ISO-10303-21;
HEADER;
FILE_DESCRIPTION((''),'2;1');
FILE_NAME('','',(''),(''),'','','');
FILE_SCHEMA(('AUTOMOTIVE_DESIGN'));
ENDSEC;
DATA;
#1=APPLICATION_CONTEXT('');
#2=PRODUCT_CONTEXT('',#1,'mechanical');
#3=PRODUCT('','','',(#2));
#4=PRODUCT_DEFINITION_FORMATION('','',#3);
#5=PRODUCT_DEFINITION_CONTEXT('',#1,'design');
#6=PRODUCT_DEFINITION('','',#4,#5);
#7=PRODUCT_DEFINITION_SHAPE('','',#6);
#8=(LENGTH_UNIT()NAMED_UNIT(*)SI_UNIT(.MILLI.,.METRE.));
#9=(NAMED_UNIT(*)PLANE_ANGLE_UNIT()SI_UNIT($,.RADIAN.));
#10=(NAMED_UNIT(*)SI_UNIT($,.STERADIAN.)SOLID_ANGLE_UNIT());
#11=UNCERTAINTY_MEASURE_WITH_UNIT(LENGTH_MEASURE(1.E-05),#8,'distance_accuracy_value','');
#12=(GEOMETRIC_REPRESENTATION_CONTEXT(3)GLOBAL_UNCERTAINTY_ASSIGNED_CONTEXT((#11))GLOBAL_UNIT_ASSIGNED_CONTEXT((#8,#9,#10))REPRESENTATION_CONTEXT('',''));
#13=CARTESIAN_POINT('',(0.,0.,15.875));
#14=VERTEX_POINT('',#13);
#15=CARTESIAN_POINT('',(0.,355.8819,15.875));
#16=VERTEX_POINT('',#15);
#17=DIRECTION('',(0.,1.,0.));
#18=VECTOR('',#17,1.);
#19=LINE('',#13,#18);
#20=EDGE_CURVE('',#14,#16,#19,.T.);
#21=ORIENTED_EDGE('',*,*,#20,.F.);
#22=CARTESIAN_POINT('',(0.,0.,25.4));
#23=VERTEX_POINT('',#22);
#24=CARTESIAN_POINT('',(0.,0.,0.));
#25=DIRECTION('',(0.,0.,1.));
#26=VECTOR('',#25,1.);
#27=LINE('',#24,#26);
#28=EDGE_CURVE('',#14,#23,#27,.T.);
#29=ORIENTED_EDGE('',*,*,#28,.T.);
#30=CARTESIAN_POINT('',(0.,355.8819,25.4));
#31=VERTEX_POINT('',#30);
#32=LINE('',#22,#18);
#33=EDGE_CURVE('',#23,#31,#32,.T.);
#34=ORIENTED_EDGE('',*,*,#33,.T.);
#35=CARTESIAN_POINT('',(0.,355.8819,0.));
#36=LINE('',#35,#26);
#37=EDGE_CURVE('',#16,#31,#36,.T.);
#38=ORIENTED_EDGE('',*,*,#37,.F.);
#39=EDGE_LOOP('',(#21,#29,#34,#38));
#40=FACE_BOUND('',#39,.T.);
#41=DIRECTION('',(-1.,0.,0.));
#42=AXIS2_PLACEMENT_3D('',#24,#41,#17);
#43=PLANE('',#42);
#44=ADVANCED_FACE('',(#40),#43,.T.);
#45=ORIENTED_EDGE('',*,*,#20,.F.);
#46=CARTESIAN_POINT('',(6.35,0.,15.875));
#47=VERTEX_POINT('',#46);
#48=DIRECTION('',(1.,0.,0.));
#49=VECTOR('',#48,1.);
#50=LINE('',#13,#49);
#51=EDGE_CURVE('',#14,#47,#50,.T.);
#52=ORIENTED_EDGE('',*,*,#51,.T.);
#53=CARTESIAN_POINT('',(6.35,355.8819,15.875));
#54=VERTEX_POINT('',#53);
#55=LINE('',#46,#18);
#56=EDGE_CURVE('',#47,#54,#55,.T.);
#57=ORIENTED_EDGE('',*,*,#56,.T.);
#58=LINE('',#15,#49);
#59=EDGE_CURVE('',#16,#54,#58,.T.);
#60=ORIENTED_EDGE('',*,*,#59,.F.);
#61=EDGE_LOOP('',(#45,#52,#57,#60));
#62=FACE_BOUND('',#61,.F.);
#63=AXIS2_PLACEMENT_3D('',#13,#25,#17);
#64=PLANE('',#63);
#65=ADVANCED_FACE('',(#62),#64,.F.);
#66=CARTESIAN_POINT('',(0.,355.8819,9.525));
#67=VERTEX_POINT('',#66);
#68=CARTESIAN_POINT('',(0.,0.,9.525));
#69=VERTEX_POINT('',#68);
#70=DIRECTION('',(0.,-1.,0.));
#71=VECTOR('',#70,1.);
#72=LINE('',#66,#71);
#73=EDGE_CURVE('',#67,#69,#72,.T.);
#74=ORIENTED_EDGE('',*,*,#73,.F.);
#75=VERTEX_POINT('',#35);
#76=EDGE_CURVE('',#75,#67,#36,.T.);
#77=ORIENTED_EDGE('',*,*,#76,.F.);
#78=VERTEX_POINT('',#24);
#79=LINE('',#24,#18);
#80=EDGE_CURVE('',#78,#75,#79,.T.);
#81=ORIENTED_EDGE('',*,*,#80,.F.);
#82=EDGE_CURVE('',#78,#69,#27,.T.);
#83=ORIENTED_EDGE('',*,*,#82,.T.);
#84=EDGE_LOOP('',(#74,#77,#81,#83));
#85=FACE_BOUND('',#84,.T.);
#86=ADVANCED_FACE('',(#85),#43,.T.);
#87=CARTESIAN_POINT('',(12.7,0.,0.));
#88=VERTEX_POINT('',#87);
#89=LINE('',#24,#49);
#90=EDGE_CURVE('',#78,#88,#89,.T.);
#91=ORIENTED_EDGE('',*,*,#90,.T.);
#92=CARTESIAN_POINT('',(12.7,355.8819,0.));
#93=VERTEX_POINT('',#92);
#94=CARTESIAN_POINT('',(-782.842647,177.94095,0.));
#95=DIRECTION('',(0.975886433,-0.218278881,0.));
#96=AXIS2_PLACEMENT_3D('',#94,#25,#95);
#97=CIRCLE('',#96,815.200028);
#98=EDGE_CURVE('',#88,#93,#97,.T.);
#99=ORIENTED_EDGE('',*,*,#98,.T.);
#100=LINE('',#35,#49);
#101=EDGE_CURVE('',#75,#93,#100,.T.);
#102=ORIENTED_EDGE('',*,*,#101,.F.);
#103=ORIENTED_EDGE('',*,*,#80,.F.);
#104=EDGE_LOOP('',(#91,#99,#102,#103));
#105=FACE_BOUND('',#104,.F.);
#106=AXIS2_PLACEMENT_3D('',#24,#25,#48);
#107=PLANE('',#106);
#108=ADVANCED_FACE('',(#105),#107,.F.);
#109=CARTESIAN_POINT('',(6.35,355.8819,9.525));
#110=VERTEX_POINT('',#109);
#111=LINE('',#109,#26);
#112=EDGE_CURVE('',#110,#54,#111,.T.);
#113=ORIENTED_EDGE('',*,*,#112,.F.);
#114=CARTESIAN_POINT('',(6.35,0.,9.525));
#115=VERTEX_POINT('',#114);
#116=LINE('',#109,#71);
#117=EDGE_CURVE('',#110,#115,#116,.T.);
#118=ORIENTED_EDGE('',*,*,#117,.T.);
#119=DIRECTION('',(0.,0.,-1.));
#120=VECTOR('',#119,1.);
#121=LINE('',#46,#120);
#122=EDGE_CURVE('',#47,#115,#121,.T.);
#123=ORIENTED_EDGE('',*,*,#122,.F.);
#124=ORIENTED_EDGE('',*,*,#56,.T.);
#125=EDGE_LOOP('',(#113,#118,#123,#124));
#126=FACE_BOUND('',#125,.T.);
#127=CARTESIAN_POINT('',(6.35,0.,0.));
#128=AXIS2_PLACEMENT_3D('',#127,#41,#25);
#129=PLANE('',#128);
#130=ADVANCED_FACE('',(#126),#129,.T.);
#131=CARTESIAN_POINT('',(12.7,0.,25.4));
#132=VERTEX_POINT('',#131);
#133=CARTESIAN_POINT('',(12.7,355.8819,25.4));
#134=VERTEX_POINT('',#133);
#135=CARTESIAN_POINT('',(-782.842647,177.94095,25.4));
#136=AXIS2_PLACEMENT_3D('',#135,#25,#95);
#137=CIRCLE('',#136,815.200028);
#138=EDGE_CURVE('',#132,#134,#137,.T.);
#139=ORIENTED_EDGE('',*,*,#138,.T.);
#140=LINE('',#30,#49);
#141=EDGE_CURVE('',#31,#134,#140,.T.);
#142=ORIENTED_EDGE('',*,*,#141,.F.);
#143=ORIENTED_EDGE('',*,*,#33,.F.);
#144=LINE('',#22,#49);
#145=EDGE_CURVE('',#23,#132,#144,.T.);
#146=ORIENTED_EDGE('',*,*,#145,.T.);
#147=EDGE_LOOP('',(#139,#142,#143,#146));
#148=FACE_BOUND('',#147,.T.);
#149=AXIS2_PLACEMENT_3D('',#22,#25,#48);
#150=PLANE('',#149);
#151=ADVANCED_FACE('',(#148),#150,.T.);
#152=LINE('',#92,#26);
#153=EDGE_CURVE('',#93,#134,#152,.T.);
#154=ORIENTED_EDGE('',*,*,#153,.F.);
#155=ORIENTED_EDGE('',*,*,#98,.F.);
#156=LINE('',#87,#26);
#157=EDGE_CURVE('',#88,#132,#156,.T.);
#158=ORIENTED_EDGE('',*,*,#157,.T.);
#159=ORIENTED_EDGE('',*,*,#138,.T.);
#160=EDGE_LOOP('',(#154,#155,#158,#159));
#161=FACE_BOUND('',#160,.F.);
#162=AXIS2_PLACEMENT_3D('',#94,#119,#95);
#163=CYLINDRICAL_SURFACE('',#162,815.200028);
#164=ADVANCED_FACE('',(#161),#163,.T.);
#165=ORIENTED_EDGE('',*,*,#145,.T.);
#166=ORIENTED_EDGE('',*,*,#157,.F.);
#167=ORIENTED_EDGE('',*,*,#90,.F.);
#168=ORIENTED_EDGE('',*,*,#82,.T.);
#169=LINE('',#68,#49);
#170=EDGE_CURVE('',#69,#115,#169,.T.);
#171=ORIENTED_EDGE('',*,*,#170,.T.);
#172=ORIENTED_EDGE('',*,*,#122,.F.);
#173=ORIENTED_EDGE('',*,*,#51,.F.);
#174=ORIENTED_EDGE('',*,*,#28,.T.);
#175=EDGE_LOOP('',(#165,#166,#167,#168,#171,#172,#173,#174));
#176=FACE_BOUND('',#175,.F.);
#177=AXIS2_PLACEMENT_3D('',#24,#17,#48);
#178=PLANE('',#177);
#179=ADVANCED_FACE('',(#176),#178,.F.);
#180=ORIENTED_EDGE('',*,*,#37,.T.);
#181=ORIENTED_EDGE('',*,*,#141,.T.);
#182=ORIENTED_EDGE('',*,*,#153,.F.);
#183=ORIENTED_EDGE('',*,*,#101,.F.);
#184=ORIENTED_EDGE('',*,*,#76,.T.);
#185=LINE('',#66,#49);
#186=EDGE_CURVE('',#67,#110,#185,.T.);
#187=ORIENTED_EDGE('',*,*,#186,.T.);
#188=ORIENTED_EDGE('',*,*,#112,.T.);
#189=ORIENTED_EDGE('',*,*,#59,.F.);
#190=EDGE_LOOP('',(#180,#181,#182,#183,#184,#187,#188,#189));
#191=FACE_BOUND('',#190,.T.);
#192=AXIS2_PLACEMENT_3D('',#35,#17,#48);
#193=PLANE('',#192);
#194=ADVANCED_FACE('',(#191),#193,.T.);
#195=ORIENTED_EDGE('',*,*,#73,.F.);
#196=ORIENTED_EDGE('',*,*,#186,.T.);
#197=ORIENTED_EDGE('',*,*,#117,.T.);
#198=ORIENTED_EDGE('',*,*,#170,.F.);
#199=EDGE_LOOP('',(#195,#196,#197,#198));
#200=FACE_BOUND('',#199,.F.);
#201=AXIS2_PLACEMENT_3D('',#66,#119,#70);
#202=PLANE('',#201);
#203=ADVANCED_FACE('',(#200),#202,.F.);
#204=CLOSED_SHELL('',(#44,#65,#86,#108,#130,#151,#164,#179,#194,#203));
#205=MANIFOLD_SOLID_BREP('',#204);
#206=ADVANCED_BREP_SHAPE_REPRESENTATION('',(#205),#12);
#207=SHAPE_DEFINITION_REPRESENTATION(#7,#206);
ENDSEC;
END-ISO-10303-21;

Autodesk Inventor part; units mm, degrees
ref_plane "YZ Plane" through (0, 0, 0) normal (1, 0, 0) x (0, 1, 0)
ref_plane "XZ Plane" through (0, 0, 0) normal (0, 1, 0) x (-1, 0, 0)
ref_plane "XY Plane" through (0, 0, 0) normal (0, 0, 1) x (1, 0, 0)
sketch "Sketch1" plane through (0, 0, 0) normal (0, 0, 1) x (1, 0, 0)
  line L0 (0, 0) -> (12.7, 0)
  line L1 (0, 0) -> (0, 355.8819)
  line L2 (0, 355.8819) -> (12.7, 355.8819)
  arc A0 (12.7, 0) -> (12.7, 355.8819) centre (-782.8431, 177.941) ccw
  dimension "d0" = 12.7
  dimension "d1" = 355.8819
  dimension "d2" = 12.7
extrude "Extrusion1" add sketch "Sketch1" along normal blind 25.4
sketch "Sketch2" plane through (0, 0, 0) normal (-1, 0, 0) x (0, 0, 1)
  line L0 (0, 0) -> (12.7, 0)
  line L1 (0, 0) -> (25.4, 0) projected
  line L2 (12.7, 355.8819) -> (9.525, 355.8819)
  line L3 (9.525, 355.8819) -> (9.525, 0)
  line L4 (9.525, 0) -> (15.875, 0)
  line L5 (15.875, 0) -> (15.875, 355.8819)
  line L6 (9.525, 355.8819) -> (15.875, 355.8819)
  line L7 (9.525, 0) -> (15.875, 0)
  dimension "d5" = 12.7
  dimension "d6" = 3.175
  dimension "d7" = 6.35
extrude "Extrusion2" cut sketch "Sketch2" against normal blind 6.35
sketch "Sketch3" plane through (0, 355.8819, 0) normal (0, 1, 0) x (1, 0, 0)
  line L0 (12.7, -25.4) -> (0, -25.4) projected
  line L1 (12.7, 0) -> (0, 0) projected
  line L2 (0, -9.525) -> (6.35, -9.525) projected
  line L3 (6.35, -15.875) -> (0, -15.875) projected
  line L4 (6.35, -9.525) -> (6.35, -15.875) projected
  line L5 (0, -15.875) -> (0, -25.4) projected
  line L6 (12.7, 0) -> (12.7, -25.4) projected
  point P0 (6.35, 0)
  dimension "d10" = 25.4
  dimension "d11" = 9.525
  dimension "d12" = 6.35
  dimension "d13" = 6.35
  dimension "d14" = 12.7
sketch "Sketch4" plane through (0, 0, 25.4) normal (0, 0, 1) x (1, 0, 0)
  line L0 (12.7, 355.8819) -> (0, 355.8819) projected
  line L1 (0, 0) -> (12.7, 0) projected
  dimension "d15" = 355.8819
properties part number "sidestrip_Ocampo"
